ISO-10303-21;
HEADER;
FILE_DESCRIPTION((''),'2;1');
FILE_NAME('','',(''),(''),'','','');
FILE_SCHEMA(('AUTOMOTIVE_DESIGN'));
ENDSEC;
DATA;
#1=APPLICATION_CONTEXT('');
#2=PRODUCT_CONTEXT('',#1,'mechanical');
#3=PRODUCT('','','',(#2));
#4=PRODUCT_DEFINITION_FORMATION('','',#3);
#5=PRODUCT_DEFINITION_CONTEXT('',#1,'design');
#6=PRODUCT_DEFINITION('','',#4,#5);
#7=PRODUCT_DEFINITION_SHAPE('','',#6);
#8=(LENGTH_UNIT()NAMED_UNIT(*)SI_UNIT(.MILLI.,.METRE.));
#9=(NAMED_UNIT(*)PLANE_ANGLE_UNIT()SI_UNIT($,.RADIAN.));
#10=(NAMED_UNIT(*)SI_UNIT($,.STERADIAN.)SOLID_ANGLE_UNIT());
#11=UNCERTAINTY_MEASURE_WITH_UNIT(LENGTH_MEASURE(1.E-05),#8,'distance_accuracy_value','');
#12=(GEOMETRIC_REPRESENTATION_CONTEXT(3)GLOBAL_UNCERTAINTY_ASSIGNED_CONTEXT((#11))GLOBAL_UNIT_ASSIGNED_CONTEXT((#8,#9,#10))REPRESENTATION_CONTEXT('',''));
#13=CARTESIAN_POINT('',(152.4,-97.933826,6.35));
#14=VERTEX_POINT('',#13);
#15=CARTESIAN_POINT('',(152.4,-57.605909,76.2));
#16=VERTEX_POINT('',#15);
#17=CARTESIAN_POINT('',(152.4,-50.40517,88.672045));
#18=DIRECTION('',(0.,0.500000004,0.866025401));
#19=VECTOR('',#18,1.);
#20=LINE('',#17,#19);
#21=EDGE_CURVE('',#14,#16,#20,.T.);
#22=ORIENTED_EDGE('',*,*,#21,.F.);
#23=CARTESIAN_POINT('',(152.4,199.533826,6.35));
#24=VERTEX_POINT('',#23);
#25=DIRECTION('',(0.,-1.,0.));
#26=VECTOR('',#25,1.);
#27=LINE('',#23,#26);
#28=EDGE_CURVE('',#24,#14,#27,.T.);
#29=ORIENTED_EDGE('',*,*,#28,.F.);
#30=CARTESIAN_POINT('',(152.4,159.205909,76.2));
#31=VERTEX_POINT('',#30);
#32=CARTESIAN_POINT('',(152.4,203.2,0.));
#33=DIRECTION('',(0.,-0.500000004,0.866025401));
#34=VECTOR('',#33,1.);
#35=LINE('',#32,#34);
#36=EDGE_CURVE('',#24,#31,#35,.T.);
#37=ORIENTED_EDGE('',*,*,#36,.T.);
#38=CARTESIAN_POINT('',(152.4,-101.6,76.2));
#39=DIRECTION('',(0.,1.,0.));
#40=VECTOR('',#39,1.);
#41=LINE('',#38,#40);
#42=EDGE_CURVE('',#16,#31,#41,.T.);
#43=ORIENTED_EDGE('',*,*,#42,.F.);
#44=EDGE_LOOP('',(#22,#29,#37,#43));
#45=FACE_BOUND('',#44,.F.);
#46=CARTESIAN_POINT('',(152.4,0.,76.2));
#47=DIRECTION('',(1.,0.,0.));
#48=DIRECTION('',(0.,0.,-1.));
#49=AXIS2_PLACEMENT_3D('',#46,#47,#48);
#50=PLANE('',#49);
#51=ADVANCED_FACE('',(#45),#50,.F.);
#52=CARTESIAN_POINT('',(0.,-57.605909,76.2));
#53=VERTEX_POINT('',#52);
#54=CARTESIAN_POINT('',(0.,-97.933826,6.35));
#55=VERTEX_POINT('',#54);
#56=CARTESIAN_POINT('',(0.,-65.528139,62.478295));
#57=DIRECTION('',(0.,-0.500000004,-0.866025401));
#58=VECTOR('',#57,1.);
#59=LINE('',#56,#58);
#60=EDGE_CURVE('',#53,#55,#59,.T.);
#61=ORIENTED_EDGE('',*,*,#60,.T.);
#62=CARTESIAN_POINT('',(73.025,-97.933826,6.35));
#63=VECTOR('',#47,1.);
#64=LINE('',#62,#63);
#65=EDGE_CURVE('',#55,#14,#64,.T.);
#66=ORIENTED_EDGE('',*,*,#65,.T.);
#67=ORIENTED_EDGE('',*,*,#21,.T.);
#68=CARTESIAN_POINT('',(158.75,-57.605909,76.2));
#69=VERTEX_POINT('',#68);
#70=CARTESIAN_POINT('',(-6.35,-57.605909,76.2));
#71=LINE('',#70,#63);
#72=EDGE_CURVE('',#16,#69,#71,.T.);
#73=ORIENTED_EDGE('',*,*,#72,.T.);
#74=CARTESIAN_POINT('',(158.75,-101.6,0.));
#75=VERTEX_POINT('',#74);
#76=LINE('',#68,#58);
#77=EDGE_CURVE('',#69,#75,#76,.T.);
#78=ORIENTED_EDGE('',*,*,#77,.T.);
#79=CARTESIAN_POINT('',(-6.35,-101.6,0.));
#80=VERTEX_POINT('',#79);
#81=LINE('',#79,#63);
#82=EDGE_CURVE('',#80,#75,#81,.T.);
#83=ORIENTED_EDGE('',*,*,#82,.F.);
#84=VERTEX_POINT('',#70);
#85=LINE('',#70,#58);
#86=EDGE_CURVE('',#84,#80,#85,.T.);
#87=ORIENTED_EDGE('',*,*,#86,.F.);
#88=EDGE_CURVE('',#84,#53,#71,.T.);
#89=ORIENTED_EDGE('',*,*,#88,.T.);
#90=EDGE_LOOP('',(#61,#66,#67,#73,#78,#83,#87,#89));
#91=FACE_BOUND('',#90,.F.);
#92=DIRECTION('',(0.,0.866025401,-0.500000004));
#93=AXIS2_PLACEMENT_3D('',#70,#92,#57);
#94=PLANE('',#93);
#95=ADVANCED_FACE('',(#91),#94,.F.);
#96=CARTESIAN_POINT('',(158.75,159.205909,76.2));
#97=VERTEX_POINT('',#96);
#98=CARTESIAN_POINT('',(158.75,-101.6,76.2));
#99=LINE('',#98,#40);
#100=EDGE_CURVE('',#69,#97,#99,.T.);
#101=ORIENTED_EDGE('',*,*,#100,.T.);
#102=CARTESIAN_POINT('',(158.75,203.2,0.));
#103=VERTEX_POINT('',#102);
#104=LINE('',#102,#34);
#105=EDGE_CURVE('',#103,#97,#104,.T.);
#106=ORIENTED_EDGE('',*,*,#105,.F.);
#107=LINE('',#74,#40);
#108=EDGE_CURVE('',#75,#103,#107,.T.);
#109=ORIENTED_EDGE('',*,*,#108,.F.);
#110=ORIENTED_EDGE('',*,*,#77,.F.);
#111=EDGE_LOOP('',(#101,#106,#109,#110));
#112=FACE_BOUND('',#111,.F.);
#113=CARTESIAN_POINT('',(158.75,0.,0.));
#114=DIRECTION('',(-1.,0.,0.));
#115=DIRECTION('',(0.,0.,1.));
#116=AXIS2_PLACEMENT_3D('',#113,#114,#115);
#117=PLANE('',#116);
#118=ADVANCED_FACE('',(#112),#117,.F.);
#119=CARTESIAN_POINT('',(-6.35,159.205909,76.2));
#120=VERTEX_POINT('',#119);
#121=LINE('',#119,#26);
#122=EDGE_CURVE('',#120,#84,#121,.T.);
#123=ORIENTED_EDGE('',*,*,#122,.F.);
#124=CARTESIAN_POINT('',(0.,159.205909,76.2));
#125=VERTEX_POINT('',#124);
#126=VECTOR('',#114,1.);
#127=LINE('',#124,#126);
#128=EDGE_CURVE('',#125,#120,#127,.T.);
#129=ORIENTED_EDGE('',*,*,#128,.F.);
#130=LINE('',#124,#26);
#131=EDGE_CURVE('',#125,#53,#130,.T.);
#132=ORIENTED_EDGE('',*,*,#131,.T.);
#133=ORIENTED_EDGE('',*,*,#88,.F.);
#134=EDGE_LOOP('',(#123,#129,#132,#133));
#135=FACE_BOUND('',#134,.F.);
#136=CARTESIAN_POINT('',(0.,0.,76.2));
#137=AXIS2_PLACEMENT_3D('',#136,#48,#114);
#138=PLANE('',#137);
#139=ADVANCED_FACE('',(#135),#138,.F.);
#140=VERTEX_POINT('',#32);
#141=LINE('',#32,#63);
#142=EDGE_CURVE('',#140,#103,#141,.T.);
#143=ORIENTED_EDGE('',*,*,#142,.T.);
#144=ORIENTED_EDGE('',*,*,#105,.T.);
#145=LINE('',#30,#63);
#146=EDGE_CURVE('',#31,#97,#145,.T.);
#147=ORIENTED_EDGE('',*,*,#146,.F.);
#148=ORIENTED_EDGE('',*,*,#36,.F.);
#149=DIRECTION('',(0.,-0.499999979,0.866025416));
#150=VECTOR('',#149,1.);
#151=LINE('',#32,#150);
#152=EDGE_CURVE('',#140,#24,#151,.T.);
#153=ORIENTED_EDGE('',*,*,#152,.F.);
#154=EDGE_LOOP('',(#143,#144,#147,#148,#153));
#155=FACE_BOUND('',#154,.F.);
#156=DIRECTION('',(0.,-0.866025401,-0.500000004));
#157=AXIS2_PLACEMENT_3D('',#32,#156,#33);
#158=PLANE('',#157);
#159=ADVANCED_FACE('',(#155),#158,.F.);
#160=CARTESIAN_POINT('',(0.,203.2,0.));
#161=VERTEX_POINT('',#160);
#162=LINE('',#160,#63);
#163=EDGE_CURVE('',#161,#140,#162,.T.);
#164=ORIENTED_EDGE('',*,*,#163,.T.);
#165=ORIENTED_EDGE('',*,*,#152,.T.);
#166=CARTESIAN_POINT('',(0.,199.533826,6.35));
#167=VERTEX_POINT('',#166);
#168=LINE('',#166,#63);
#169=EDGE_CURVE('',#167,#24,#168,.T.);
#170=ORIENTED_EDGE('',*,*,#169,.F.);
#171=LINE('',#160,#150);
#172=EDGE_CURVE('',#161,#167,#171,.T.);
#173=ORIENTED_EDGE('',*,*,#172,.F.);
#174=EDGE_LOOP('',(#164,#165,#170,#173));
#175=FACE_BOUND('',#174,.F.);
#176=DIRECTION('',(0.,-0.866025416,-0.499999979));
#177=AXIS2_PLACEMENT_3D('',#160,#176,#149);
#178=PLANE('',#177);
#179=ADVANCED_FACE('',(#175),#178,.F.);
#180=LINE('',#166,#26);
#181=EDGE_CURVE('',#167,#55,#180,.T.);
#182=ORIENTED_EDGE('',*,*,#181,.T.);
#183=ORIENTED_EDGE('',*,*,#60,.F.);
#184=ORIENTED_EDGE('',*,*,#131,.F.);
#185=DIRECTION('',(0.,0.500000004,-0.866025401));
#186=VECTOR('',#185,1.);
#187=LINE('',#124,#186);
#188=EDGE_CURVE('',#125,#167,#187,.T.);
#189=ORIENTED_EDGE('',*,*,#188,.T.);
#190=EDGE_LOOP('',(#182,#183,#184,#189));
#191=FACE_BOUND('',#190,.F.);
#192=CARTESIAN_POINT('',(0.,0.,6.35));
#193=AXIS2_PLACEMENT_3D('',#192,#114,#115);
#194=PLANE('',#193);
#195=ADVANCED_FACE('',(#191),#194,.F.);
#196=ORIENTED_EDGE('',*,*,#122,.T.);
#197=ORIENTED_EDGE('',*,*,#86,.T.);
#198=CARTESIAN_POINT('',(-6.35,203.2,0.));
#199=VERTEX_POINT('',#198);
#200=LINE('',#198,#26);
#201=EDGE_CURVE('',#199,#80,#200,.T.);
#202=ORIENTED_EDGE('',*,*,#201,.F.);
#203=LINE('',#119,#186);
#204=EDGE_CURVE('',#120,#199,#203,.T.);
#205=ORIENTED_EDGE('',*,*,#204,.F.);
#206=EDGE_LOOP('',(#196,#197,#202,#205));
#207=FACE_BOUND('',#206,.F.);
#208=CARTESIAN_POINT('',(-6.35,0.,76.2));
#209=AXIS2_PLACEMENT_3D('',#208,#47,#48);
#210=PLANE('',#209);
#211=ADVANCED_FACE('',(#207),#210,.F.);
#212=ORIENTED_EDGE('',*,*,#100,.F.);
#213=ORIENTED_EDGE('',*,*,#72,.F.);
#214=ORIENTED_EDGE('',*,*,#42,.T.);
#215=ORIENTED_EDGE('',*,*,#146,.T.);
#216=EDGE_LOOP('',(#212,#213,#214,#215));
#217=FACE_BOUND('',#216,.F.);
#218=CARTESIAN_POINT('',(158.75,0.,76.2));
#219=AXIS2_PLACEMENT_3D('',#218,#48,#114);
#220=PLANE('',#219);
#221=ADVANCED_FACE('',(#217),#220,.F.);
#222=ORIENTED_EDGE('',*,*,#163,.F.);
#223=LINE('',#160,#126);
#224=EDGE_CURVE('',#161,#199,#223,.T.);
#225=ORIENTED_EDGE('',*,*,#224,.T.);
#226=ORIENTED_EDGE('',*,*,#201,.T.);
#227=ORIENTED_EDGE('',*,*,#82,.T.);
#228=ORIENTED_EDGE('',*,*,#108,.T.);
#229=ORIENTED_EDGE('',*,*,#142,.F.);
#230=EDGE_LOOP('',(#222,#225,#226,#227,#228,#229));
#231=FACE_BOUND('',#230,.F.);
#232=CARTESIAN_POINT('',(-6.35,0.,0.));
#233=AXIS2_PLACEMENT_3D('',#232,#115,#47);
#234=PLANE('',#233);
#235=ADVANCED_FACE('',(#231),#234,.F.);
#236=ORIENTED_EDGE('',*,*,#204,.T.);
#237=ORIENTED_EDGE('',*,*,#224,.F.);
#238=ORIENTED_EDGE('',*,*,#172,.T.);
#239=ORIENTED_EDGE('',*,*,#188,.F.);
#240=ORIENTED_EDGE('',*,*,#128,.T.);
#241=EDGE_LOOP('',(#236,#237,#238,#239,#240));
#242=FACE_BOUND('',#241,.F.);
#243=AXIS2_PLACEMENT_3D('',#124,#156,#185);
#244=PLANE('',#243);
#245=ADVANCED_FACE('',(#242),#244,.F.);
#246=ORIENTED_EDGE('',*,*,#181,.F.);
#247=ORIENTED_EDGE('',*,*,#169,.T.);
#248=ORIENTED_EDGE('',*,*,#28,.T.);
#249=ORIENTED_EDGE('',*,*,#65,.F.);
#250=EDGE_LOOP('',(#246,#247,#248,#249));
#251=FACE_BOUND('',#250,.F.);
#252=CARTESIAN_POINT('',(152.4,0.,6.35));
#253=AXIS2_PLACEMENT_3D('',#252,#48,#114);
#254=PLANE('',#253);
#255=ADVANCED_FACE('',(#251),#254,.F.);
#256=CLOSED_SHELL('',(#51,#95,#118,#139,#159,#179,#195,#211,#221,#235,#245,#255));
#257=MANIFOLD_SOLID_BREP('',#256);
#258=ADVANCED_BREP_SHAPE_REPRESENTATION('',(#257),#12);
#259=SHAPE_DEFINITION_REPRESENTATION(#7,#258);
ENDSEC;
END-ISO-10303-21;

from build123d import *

# Parameters (mm, degrees)
F1_DEPTH = 152.4
F3_DEPTH = 6.35
F5_DEPTH = 6.35
F7_DEPTH = 101.6
F9_DEPTH = 165.1


with BuildPart() as f1:
    # F0 (on Right) → F1 (new body)
    with BuildSketch(Plane.YZ):
        Polygon((0, 6.35), (0, 0), (203.2, 0), (199.533826, 6.35), align=None)
    extrude(amount=F1_DEPTH)

    # F2 (on face) → F3 (join)
    with BuildSketch(Plane.YZ.offset(152.4)):
        Polygon((0, 0), (203.2, 0), (159.205909, 76.2), (0, 76.2), align=None)
    extrude(amount=F3_DEPTH)

    # F4 (on face) → F5 (join)
    with BuildSketch(Plane(origin=(0, 0, 0), x_dir=(0, -1, 0), z_dir=(-1, 0, 0))):
        Polygon((-159.205909, 76.2), (-203.2, 0), (0, 0), (0, 76.2), align=None)
    extrude(amount=F5_DEPTH)

    # F6 (on face) → F7 (join)
    with BuildSketch(Plane.XZ):
        Polygon((152.4, 76.2), (152.4, 6.35), (0, 6.35), (0, 76.2), (-6.35, 76.2), (-6.35, 0), (158.75, 0), (158.75, 76.2), align=None)
    extrude(amount=F7_DEPTH)

    # F8 (on face) → F9 (cut)
    with BuildSketch(Plane(origin=(-6.35, 0, 0), x_dir=(0, -1, 0), z_dir=(-1, 0, 0))):
        Polygon((57.605909, 76.2), (101.6, 0), (101.6, 76.2), align=None)
    extrude(amount=-F9_DEPTH, mode=Mode.SUBTRACT)


solid = f1.part
